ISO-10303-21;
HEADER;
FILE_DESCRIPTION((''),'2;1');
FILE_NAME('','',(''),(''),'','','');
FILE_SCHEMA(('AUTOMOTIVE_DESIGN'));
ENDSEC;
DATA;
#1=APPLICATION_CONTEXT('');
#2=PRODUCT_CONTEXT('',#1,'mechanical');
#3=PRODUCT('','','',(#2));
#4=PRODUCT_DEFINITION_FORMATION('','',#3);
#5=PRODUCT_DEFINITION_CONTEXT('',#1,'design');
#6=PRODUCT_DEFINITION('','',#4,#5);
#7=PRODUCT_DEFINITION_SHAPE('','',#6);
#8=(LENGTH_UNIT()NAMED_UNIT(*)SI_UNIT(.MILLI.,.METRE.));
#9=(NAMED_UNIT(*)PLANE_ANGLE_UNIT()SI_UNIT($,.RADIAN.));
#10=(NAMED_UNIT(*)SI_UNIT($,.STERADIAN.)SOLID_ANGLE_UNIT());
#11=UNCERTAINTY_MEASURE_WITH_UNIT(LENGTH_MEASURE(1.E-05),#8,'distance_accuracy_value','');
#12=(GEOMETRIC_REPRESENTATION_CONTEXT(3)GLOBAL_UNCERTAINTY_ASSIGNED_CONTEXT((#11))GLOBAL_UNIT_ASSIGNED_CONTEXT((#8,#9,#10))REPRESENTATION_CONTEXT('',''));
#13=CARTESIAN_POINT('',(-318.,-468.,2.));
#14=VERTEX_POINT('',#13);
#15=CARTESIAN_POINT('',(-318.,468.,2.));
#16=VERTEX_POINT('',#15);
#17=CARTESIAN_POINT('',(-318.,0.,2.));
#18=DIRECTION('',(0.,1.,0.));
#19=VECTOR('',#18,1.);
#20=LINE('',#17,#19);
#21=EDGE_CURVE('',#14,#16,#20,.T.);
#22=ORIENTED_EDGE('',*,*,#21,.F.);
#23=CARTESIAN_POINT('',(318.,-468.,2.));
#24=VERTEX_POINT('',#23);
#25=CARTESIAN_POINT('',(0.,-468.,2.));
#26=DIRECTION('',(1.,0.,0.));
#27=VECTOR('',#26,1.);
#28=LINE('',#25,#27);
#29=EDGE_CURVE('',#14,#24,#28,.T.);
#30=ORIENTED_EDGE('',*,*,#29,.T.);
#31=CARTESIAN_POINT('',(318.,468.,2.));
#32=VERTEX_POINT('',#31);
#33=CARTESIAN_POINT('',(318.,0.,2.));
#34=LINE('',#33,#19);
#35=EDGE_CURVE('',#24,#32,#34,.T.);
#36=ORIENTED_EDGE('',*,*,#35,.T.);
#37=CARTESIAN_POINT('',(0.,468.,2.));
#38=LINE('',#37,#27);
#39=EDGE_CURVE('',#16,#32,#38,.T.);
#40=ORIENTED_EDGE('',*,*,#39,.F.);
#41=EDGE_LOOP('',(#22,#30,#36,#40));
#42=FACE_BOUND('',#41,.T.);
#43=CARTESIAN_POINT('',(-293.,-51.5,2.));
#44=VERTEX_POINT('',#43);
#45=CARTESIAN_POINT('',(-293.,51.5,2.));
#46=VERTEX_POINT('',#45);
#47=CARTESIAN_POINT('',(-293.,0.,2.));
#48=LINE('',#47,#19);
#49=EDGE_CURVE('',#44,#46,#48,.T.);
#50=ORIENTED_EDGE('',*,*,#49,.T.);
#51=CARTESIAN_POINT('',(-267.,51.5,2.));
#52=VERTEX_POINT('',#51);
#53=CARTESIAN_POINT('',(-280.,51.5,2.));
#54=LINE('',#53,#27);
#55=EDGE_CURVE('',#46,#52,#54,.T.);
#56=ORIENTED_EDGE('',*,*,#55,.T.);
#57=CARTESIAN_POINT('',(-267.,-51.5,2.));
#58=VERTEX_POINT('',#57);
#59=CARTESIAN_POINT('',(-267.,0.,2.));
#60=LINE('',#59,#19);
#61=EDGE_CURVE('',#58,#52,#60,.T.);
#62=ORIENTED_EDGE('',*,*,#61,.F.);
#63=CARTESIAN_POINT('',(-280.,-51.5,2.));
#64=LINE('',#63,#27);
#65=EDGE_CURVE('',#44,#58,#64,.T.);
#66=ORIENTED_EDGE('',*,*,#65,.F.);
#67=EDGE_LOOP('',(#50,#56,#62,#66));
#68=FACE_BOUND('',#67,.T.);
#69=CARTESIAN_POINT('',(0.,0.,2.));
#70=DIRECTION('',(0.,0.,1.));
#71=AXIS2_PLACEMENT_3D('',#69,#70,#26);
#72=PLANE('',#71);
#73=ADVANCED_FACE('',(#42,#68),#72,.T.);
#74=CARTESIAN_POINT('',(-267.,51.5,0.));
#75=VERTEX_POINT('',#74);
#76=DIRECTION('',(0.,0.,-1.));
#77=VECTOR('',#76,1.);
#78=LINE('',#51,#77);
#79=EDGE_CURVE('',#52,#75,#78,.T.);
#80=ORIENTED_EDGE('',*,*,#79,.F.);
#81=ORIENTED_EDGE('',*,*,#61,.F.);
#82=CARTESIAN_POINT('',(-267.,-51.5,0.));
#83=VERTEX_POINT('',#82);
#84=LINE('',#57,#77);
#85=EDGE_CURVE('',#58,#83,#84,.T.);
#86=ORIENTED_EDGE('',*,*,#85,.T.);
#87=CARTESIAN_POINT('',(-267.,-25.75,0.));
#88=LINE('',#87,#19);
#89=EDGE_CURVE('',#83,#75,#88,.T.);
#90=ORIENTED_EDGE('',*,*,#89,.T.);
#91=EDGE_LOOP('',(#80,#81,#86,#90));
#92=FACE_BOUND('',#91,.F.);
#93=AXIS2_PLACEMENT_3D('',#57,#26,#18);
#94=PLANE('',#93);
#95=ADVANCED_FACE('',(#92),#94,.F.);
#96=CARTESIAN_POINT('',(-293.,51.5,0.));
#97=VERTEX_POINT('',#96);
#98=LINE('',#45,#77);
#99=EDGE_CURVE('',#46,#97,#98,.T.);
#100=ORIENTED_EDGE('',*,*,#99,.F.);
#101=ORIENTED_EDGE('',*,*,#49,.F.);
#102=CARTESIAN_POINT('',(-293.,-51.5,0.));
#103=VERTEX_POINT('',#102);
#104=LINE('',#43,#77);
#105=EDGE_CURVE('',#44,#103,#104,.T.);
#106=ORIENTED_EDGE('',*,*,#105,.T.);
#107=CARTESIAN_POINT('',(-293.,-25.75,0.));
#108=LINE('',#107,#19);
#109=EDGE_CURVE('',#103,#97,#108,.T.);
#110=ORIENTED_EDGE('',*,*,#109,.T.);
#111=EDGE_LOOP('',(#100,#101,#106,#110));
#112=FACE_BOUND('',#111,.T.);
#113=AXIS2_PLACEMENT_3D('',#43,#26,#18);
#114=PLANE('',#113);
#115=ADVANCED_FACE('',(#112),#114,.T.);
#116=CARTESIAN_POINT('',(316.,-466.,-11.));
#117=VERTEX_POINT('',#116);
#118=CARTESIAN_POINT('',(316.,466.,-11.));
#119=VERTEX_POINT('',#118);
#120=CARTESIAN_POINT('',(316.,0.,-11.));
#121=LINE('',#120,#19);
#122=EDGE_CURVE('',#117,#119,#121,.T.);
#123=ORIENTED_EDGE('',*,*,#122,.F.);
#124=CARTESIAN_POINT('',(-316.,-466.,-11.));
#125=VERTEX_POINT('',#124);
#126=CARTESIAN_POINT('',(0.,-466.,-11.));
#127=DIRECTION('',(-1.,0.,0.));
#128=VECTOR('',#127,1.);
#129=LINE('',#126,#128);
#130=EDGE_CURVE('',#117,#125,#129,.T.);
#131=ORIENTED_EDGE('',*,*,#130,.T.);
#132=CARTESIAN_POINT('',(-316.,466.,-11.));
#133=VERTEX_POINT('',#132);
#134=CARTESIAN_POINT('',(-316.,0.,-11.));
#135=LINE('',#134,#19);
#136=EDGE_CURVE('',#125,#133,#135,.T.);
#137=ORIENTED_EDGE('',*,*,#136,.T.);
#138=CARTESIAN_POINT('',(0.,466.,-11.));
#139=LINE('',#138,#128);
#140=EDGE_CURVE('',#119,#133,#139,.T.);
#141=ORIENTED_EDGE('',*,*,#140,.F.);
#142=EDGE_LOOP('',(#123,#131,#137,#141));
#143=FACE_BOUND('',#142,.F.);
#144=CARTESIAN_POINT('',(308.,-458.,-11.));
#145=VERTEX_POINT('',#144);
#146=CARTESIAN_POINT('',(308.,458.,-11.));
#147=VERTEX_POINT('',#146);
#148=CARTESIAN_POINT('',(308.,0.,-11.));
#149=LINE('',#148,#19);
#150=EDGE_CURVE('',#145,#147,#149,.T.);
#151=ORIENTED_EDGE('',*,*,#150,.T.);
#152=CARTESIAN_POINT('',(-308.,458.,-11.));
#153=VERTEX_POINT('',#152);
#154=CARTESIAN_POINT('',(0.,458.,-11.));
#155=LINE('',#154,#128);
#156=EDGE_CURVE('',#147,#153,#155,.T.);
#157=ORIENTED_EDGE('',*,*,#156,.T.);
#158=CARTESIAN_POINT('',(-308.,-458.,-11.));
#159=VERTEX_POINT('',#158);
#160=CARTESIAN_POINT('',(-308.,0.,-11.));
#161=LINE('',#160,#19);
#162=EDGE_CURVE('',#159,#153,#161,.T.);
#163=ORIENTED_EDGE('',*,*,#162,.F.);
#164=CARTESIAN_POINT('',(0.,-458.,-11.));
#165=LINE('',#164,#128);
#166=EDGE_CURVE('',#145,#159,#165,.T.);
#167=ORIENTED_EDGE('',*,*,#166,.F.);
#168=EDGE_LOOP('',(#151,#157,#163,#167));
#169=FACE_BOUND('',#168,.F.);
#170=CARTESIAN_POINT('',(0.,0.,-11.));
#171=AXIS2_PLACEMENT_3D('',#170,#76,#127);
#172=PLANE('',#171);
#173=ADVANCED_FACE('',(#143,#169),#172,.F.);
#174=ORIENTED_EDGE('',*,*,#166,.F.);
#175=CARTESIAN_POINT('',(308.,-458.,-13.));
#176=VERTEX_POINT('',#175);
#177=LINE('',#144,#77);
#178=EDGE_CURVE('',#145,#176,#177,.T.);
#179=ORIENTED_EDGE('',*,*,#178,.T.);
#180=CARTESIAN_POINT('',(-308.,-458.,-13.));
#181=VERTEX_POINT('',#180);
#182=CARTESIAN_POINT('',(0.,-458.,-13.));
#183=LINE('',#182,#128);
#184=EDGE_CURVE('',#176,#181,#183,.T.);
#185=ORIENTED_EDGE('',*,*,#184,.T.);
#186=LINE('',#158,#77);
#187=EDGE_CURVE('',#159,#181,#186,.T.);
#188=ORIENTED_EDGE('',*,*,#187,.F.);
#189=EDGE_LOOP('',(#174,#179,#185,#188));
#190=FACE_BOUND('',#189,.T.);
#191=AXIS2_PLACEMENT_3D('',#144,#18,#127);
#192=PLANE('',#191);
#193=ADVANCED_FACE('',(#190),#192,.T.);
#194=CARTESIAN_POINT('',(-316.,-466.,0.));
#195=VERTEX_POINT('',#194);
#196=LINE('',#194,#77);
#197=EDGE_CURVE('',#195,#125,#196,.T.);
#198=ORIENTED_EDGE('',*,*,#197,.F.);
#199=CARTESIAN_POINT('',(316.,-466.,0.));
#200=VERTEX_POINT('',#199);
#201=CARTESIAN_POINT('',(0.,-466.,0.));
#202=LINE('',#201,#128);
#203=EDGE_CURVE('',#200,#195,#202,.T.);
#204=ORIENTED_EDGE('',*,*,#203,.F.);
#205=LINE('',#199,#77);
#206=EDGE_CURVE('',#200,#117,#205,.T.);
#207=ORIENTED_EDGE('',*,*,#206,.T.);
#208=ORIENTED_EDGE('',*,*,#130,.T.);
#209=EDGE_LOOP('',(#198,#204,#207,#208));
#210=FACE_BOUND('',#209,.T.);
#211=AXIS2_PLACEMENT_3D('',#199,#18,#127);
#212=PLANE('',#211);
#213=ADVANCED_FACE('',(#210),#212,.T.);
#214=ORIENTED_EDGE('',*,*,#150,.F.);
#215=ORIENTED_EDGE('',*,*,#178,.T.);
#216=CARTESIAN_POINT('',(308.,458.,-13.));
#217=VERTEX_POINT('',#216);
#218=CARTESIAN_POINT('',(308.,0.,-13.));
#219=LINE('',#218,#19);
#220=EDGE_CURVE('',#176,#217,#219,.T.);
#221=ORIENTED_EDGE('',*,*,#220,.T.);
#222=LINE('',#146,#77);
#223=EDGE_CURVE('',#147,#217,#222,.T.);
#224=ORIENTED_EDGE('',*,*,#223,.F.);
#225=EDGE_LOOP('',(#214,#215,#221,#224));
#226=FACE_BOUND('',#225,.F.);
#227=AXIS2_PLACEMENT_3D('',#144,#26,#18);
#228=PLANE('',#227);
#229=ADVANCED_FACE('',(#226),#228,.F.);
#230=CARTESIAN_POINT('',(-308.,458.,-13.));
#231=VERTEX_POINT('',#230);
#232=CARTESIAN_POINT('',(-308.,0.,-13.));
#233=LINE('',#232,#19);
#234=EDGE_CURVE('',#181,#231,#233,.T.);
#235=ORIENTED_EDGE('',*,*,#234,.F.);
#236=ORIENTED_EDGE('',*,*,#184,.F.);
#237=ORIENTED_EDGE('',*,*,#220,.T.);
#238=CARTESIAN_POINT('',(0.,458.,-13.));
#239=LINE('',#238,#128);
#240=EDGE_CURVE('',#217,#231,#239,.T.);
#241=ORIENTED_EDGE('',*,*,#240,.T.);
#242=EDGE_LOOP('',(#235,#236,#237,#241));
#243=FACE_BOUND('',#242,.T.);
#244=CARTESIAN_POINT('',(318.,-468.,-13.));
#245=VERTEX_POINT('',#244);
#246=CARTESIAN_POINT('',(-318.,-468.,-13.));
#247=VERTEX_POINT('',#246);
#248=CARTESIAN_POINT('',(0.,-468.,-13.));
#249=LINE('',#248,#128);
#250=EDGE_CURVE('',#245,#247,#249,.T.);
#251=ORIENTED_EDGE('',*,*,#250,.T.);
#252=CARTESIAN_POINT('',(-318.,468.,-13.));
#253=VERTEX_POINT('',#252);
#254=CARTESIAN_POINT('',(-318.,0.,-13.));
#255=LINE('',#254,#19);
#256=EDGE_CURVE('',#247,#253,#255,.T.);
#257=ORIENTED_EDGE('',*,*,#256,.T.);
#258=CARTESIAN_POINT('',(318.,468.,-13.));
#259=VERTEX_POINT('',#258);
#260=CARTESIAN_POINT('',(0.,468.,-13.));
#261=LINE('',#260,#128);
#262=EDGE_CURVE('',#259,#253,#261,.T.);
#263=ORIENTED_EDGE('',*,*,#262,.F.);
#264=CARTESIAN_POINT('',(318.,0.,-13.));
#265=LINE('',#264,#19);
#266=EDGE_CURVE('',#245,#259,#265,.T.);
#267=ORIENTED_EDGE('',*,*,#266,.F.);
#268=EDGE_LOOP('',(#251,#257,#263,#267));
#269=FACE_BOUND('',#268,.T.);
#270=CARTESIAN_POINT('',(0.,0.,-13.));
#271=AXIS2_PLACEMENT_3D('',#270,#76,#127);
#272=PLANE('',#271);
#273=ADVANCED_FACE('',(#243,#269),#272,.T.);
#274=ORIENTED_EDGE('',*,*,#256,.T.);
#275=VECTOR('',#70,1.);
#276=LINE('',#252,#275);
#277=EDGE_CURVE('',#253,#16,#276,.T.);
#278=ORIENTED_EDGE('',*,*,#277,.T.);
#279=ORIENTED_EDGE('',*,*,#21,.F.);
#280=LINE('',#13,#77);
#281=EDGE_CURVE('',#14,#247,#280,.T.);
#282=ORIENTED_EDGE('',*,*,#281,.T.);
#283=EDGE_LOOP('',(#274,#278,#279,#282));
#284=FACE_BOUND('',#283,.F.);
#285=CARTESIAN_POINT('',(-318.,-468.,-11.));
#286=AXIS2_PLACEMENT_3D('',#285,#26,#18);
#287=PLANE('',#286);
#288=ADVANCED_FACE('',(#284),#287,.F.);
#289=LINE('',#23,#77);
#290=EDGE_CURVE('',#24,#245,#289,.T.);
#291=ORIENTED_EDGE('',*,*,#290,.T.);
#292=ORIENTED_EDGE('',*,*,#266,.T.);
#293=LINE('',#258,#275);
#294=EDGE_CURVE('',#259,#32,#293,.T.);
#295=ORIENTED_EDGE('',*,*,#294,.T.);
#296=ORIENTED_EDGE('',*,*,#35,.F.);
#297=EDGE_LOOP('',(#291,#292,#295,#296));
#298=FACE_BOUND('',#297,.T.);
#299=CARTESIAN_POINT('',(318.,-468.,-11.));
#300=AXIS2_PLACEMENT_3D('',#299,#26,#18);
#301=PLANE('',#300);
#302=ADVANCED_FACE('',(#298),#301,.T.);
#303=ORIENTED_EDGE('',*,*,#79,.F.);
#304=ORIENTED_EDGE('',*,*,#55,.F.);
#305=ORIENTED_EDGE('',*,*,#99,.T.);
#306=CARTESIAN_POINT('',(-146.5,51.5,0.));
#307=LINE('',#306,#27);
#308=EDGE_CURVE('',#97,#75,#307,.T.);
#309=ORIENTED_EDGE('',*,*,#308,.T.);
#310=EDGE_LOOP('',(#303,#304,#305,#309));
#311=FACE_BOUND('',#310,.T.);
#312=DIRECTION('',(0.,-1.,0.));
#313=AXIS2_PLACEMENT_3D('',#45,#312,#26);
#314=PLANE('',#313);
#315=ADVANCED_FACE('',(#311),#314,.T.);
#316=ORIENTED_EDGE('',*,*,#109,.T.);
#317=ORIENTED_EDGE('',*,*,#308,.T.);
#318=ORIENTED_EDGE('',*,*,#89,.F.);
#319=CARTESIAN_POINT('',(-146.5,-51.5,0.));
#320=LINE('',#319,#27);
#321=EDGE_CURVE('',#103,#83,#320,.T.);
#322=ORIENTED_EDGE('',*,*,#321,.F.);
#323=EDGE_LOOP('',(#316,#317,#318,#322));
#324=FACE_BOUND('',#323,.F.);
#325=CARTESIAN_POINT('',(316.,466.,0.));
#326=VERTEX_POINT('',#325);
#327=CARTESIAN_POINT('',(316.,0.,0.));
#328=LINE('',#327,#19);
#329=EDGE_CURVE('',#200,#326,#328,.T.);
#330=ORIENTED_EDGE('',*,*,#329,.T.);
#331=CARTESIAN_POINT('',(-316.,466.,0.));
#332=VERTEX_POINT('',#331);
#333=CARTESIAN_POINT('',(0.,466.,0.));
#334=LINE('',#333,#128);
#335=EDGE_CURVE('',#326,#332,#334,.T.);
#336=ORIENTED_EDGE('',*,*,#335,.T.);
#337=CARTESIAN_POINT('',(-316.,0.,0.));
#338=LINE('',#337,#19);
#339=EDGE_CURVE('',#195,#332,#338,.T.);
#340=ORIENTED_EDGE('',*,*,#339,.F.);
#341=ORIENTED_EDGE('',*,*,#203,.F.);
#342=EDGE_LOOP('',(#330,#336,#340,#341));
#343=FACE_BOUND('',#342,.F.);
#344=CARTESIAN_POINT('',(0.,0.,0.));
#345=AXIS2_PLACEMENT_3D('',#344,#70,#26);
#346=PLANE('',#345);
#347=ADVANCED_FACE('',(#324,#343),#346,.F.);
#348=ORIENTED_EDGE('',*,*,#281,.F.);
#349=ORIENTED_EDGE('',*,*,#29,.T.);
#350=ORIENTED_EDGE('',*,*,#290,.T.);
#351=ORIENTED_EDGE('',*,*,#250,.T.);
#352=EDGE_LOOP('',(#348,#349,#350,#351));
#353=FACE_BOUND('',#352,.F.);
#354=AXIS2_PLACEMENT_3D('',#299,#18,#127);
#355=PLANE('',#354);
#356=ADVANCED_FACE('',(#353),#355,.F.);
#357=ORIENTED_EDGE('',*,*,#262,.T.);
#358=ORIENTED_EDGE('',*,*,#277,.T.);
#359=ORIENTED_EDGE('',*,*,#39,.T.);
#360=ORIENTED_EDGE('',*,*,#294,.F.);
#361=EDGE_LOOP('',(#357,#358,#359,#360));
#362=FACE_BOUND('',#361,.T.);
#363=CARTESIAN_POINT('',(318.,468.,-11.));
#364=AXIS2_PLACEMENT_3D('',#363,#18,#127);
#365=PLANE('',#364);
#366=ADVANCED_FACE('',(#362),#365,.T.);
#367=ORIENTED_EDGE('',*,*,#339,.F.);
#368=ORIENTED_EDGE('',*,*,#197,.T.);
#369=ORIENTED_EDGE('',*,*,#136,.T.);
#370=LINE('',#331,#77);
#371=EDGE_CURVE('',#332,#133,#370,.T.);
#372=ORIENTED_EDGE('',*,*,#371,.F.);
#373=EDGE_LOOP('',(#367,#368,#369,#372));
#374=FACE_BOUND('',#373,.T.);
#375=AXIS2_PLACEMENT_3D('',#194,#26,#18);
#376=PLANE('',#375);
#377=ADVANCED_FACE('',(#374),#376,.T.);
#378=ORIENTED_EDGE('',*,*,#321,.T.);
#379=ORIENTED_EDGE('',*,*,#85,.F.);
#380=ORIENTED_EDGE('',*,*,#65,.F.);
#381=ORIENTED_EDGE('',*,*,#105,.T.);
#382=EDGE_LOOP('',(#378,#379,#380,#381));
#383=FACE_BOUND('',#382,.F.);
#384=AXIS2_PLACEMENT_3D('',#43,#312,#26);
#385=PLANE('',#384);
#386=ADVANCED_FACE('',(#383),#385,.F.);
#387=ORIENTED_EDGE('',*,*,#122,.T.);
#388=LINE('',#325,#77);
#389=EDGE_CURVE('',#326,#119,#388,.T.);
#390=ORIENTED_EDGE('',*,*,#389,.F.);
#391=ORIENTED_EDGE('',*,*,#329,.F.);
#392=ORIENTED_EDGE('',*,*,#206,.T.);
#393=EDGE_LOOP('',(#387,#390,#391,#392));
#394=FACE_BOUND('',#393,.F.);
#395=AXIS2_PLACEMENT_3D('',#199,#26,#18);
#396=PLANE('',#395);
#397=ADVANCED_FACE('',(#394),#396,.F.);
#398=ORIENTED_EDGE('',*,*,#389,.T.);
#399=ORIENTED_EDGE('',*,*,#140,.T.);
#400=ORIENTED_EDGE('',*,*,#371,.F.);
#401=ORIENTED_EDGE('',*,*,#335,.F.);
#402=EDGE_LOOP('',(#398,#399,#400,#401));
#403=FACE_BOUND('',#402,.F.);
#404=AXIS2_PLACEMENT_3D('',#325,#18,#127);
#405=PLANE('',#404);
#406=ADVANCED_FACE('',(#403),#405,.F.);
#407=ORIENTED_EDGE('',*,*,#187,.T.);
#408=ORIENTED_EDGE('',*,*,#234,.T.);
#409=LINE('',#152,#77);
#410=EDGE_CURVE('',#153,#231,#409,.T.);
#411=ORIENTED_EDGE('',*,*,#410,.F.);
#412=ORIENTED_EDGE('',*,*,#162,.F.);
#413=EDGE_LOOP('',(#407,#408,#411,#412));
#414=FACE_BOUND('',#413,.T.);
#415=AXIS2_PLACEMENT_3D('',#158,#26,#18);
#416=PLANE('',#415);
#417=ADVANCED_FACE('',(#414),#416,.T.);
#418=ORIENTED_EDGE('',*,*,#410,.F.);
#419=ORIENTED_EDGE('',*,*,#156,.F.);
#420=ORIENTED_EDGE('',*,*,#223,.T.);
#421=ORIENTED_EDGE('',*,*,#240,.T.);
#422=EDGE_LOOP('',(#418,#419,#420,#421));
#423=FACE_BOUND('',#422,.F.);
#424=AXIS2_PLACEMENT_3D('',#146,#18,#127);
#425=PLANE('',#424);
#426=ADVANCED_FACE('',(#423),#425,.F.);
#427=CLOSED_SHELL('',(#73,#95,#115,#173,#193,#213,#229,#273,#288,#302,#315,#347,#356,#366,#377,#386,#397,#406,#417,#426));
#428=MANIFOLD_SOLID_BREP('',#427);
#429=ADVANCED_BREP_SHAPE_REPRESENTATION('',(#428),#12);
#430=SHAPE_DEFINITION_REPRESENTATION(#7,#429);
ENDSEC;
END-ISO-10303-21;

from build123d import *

# Parameters (mm, degrees)
SKETCH_1_W          = 636
SKETCH_1_H          = 936
EXTRUDE_1_DEPTH     = 2
SKETCH_2_W          = 636
SKETCH_2_H          = 936
SKETCH_2_W_2        = 632
SKETCH_2_H_2        = 932
EXTRUDE_2_DEPTH     = 11
SKETCH_3_W          = 636
SKETCH_3_H          = 936
SKETCH_3_W_2        = 616
SKETCH_3_H_2        = 916
EXTRUDE_3_DEPTH     = 2
SKETCH_4_W          = 26
SKETCH_4_H          = 103
CUT_EXTRUDE_1_DEPTH = 10


with BuildPart() as part:
    # 草图1 → 凸台-拉伸1 (new body)
    with BuildSketch(Plane.XY):
        Rectangle(SKETCH_1_W, SKETCH_1_H)
    extrude(amount=EXTRUDE_1_DEPTH)

    # 草图2 → 凸台-拉伸2 (add)
    with BuildSketch(Plane(origin=(0, 0, 0), x_dir=(-1, 0, 0), z_dir=(0, 0, -1))):
        Rectangle(SKETCH_2_W, SKETCH_2_H)
        Rectangle(SKETCH_2_W_2, SKETCH_2_H_2, mode=Mode.SUBTRACT)
    extrude(amount=EXTRUDE_2_DEPTH)

    # 草图3 → 凸台-拉伸3 (add)
    with BuildSketch(Plane(origin=(0, 0, -11), x_dir=(-1, 0, 0), z_dir=(0, 0, -1))):
        Rectangle(SKETCH_3_W, SKETCH_3_H)
        Rectangle(SKETCH_3_W_2, SKETCH_3_H_2, mode=Mode.SUBTRACT)
    extrude(amount=EXTRUDE_3_DEPTH)

    # 草图4 → 切除-拉伸1 (cut)
    with BuildSketch(Plane.XY.offset(2)):
        with Locations((-280, 0)):
            Rectangle(SKETCH_4_W, SKETCH_4_H)
    extrude(amount=-CUT_EXTRUDE_1_DEPTH, mode=Mode.SUBTRACT)


solid = part.part
